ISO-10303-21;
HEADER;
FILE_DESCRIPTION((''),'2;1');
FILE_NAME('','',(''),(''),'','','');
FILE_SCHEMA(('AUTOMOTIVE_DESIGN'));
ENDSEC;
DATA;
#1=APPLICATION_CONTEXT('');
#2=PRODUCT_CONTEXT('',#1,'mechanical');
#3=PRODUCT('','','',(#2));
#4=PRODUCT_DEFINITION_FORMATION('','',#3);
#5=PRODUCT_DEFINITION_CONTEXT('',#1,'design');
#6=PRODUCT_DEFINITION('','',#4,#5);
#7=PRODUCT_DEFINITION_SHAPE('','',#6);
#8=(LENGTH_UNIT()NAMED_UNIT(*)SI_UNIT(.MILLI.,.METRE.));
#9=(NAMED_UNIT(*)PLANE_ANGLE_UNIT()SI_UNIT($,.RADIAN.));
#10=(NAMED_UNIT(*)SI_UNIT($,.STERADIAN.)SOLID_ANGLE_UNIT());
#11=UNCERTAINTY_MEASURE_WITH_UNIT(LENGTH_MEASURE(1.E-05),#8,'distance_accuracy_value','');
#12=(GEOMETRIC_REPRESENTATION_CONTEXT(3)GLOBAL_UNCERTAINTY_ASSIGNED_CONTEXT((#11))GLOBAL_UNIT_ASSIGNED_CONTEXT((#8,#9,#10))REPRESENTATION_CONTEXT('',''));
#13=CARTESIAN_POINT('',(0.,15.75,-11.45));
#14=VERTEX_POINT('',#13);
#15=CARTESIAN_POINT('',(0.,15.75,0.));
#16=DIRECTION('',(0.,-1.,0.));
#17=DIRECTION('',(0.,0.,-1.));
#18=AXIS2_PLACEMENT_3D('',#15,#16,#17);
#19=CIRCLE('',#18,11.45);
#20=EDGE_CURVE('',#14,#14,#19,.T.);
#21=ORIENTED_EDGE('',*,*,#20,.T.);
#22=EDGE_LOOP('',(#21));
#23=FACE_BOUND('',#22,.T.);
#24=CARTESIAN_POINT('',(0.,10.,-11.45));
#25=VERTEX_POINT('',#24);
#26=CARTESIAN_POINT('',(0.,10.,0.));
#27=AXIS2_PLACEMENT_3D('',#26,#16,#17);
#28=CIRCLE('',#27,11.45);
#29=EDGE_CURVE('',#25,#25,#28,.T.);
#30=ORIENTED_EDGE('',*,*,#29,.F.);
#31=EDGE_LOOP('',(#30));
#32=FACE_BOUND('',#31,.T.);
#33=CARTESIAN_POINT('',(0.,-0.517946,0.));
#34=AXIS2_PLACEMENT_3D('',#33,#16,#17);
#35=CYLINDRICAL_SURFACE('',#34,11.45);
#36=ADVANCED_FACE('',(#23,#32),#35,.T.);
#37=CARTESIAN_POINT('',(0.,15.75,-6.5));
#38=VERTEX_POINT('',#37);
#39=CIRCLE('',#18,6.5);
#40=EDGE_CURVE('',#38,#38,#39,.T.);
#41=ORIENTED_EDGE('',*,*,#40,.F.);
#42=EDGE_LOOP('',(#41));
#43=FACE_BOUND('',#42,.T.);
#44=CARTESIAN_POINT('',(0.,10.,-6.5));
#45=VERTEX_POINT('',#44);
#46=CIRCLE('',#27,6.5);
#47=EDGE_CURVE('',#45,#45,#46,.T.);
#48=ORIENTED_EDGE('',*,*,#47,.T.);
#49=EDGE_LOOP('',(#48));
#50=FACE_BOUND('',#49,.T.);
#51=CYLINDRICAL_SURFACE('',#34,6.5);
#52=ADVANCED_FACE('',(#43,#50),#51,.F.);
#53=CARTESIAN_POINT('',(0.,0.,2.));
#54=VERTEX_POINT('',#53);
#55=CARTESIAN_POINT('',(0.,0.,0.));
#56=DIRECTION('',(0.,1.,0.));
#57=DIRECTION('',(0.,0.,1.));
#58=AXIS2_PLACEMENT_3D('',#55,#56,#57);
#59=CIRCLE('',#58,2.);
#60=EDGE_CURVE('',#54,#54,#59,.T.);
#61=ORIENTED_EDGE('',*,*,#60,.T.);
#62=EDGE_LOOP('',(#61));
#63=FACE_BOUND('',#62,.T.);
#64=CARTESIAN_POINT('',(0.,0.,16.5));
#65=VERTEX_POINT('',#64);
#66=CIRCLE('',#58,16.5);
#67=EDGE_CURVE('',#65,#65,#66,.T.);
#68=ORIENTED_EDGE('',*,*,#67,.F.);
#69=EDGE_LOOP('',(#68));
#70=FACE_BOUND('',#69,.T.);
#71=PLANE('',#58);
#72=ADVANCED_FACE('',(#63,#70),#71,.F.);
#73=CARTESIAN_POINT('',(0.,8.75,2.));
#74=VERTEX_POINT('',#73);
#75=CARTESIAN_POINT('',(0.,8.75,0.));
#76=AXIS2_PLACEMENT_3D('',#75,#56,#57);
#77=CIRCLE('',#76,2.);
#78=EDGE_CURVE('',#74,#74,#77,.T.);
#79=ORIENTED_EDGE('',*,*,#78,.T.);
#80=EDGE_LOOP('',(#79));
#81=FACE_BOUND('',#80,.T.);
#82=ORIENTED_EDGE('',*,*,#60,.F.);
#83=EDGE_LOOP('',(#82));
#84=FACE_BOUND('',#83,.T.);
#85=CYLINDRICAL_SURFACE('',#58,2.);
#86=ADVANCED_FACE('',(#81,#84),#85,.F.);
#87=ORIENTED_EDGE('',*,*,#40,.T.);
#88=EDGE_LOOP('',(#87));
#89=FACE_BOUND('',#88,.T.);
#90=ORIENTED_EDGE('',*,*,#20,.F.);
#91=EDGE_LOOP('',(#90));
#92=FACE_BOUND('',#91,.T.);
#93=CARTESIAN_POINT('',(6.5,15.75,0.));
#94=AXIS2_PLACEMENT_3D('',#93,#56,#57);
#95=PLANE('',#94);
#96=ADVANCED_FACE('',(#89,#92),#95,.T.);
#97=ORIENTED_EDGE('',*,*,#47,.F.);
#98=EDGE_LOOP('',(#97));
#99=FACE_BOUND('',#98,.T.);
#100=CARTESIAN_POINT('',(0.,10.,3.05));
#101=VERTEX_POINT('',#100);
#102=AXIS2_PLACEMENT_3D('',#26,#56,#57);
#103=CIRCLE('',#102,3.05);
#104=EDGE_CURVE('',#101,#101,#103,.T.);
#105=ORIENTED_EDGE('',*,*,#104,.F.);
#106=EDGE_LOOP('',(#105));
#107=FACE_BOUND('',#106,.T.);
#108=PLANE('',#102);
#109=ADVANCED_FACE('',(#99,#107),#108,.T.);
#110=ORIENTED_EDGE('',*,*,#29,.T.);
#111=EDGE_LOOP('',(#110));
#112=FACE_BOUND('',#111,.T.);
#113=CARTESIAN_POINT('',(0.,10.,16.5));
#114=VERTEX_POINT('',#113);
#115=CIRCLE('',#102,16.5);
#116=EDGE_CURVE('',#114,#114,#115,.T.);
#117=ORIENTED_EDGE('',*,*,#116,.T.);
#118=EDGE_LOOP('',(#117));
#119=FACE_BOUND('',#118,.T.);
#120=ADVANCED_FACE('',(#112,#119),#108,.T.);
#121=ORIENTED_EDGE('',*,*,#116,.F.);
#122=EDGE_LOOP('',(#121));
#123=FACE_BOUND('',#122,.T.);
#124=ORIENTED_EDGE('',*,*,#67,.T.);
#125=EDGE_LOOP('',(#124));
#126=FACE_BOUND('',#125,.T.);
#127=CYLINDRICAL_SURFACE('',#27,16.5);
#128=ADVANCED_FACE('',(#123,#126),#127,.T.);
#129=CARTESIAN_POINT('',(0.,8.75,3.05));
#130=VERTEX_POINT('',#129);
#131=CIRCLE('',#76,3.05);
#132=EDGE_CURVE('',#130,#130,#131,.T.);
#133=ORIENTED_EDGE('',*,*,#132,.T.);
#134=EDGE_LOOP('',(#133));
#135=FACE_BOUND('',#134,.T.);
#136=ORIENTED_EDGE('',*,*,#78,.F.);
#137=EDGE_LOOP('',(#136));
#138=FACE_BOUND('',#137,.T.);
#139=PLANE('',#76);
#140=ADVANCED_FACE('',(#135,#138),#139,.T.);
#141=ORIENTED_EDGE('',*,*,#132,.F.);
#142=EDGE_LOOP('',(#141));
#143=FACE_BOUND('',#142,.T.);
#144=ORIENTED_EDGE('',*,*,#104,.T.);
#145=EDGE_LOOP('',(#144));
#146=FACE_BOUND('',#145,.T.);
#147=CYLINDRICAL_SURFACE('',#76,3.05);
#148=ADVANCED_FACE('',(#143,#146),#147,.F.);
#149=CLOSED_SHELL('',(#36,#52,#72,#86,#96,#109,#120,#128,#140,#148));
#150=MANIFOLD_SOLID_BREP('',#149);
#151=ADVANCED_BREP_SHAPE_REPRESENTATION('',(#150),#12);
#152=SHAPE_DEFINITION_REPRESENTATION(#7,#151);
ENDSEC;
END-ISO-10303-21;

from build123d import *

# Parameters (mm, degrees)
SKETCH1_R               = 16.5
BOSS_EXTRUDE1_DEPTH     = 10
SKETCH2_R               = 3.05
CUT_EXTRUDE1_DEPTH      = 1.25
SKETCH4_W               = 4.95
SKETCH4_H               = 5.75
CUT_EXTRUDE2_DEPTH      = 25.921125577
CUT_EXTRUDE2_DEPTH_BACK = 25.921125577
SKETCH5_R               = 2


with BuildPart() as part:
    # Sketch1 → Boss-Extrude1 (new body)
    with BuildSketch(Plane(origin=(0, 0, 0), x_dir=(1, 0, 0), z_dir=(0, 1, 0))):
        with Locations(Location((0, 0, 0), (0, 0, 270))):
            Circle(SKETCH1_R)
    extrude(amount=BOSS_EXTRUDE1_DEPTH)

    # Sketch2 → Cut-Extrude1 (cut)
    with BuildSketch(Plane(origin=(0, 10, 0), x_dir=(1, 0, 0), z_dir=(0, 1, 0))):
        with Locations(Location((0, 0, 0), (0, 0, 270))):
            Circle(SKETCH2_R)
    extrude(amount=-CUT_EXTRUDE1_DEPTH, mode=Mode.SUBTRACT)

    # Sketch4 → Revolve1 (revolve)
    with BuildSketch(Plane.XY, mode=Mode.PRIVATE) as revolve1_sk:
        with Locations((8.975, 12.875)):
            Rectangle(SKETCH4_W, SKETCH4_H)
    revolve(revolve1_sk.sketch.rotate(Axis((0, -0.517946451, 0), (0, 1, 0)), 90), axis=Axis((0, -0.517946451, 0), (0, 1, 0)))

    # Sketch5 → Cut-Extrude2 (cut, two sides: drawn at the far end of the back side and taken through both)
    with BuildSketch(Plane(origin=(0, 8.75, 0), x_dir=(1, 0, 0), z_dir=(0, 1, 0)).offset(-CUT_EXTRUDE2_DEPTH_BACK)):
        with Locations(Location((0, 0, 0), (0, 0, 270))):
            Circle(SKETCH5_R)
    extrude(amount=CUT_EXTRUDE2_DEPTH + CUT_EXTRUDE2_DEPTH_BACK, mode=Mode.SUBTRACT)


solid = part.part
